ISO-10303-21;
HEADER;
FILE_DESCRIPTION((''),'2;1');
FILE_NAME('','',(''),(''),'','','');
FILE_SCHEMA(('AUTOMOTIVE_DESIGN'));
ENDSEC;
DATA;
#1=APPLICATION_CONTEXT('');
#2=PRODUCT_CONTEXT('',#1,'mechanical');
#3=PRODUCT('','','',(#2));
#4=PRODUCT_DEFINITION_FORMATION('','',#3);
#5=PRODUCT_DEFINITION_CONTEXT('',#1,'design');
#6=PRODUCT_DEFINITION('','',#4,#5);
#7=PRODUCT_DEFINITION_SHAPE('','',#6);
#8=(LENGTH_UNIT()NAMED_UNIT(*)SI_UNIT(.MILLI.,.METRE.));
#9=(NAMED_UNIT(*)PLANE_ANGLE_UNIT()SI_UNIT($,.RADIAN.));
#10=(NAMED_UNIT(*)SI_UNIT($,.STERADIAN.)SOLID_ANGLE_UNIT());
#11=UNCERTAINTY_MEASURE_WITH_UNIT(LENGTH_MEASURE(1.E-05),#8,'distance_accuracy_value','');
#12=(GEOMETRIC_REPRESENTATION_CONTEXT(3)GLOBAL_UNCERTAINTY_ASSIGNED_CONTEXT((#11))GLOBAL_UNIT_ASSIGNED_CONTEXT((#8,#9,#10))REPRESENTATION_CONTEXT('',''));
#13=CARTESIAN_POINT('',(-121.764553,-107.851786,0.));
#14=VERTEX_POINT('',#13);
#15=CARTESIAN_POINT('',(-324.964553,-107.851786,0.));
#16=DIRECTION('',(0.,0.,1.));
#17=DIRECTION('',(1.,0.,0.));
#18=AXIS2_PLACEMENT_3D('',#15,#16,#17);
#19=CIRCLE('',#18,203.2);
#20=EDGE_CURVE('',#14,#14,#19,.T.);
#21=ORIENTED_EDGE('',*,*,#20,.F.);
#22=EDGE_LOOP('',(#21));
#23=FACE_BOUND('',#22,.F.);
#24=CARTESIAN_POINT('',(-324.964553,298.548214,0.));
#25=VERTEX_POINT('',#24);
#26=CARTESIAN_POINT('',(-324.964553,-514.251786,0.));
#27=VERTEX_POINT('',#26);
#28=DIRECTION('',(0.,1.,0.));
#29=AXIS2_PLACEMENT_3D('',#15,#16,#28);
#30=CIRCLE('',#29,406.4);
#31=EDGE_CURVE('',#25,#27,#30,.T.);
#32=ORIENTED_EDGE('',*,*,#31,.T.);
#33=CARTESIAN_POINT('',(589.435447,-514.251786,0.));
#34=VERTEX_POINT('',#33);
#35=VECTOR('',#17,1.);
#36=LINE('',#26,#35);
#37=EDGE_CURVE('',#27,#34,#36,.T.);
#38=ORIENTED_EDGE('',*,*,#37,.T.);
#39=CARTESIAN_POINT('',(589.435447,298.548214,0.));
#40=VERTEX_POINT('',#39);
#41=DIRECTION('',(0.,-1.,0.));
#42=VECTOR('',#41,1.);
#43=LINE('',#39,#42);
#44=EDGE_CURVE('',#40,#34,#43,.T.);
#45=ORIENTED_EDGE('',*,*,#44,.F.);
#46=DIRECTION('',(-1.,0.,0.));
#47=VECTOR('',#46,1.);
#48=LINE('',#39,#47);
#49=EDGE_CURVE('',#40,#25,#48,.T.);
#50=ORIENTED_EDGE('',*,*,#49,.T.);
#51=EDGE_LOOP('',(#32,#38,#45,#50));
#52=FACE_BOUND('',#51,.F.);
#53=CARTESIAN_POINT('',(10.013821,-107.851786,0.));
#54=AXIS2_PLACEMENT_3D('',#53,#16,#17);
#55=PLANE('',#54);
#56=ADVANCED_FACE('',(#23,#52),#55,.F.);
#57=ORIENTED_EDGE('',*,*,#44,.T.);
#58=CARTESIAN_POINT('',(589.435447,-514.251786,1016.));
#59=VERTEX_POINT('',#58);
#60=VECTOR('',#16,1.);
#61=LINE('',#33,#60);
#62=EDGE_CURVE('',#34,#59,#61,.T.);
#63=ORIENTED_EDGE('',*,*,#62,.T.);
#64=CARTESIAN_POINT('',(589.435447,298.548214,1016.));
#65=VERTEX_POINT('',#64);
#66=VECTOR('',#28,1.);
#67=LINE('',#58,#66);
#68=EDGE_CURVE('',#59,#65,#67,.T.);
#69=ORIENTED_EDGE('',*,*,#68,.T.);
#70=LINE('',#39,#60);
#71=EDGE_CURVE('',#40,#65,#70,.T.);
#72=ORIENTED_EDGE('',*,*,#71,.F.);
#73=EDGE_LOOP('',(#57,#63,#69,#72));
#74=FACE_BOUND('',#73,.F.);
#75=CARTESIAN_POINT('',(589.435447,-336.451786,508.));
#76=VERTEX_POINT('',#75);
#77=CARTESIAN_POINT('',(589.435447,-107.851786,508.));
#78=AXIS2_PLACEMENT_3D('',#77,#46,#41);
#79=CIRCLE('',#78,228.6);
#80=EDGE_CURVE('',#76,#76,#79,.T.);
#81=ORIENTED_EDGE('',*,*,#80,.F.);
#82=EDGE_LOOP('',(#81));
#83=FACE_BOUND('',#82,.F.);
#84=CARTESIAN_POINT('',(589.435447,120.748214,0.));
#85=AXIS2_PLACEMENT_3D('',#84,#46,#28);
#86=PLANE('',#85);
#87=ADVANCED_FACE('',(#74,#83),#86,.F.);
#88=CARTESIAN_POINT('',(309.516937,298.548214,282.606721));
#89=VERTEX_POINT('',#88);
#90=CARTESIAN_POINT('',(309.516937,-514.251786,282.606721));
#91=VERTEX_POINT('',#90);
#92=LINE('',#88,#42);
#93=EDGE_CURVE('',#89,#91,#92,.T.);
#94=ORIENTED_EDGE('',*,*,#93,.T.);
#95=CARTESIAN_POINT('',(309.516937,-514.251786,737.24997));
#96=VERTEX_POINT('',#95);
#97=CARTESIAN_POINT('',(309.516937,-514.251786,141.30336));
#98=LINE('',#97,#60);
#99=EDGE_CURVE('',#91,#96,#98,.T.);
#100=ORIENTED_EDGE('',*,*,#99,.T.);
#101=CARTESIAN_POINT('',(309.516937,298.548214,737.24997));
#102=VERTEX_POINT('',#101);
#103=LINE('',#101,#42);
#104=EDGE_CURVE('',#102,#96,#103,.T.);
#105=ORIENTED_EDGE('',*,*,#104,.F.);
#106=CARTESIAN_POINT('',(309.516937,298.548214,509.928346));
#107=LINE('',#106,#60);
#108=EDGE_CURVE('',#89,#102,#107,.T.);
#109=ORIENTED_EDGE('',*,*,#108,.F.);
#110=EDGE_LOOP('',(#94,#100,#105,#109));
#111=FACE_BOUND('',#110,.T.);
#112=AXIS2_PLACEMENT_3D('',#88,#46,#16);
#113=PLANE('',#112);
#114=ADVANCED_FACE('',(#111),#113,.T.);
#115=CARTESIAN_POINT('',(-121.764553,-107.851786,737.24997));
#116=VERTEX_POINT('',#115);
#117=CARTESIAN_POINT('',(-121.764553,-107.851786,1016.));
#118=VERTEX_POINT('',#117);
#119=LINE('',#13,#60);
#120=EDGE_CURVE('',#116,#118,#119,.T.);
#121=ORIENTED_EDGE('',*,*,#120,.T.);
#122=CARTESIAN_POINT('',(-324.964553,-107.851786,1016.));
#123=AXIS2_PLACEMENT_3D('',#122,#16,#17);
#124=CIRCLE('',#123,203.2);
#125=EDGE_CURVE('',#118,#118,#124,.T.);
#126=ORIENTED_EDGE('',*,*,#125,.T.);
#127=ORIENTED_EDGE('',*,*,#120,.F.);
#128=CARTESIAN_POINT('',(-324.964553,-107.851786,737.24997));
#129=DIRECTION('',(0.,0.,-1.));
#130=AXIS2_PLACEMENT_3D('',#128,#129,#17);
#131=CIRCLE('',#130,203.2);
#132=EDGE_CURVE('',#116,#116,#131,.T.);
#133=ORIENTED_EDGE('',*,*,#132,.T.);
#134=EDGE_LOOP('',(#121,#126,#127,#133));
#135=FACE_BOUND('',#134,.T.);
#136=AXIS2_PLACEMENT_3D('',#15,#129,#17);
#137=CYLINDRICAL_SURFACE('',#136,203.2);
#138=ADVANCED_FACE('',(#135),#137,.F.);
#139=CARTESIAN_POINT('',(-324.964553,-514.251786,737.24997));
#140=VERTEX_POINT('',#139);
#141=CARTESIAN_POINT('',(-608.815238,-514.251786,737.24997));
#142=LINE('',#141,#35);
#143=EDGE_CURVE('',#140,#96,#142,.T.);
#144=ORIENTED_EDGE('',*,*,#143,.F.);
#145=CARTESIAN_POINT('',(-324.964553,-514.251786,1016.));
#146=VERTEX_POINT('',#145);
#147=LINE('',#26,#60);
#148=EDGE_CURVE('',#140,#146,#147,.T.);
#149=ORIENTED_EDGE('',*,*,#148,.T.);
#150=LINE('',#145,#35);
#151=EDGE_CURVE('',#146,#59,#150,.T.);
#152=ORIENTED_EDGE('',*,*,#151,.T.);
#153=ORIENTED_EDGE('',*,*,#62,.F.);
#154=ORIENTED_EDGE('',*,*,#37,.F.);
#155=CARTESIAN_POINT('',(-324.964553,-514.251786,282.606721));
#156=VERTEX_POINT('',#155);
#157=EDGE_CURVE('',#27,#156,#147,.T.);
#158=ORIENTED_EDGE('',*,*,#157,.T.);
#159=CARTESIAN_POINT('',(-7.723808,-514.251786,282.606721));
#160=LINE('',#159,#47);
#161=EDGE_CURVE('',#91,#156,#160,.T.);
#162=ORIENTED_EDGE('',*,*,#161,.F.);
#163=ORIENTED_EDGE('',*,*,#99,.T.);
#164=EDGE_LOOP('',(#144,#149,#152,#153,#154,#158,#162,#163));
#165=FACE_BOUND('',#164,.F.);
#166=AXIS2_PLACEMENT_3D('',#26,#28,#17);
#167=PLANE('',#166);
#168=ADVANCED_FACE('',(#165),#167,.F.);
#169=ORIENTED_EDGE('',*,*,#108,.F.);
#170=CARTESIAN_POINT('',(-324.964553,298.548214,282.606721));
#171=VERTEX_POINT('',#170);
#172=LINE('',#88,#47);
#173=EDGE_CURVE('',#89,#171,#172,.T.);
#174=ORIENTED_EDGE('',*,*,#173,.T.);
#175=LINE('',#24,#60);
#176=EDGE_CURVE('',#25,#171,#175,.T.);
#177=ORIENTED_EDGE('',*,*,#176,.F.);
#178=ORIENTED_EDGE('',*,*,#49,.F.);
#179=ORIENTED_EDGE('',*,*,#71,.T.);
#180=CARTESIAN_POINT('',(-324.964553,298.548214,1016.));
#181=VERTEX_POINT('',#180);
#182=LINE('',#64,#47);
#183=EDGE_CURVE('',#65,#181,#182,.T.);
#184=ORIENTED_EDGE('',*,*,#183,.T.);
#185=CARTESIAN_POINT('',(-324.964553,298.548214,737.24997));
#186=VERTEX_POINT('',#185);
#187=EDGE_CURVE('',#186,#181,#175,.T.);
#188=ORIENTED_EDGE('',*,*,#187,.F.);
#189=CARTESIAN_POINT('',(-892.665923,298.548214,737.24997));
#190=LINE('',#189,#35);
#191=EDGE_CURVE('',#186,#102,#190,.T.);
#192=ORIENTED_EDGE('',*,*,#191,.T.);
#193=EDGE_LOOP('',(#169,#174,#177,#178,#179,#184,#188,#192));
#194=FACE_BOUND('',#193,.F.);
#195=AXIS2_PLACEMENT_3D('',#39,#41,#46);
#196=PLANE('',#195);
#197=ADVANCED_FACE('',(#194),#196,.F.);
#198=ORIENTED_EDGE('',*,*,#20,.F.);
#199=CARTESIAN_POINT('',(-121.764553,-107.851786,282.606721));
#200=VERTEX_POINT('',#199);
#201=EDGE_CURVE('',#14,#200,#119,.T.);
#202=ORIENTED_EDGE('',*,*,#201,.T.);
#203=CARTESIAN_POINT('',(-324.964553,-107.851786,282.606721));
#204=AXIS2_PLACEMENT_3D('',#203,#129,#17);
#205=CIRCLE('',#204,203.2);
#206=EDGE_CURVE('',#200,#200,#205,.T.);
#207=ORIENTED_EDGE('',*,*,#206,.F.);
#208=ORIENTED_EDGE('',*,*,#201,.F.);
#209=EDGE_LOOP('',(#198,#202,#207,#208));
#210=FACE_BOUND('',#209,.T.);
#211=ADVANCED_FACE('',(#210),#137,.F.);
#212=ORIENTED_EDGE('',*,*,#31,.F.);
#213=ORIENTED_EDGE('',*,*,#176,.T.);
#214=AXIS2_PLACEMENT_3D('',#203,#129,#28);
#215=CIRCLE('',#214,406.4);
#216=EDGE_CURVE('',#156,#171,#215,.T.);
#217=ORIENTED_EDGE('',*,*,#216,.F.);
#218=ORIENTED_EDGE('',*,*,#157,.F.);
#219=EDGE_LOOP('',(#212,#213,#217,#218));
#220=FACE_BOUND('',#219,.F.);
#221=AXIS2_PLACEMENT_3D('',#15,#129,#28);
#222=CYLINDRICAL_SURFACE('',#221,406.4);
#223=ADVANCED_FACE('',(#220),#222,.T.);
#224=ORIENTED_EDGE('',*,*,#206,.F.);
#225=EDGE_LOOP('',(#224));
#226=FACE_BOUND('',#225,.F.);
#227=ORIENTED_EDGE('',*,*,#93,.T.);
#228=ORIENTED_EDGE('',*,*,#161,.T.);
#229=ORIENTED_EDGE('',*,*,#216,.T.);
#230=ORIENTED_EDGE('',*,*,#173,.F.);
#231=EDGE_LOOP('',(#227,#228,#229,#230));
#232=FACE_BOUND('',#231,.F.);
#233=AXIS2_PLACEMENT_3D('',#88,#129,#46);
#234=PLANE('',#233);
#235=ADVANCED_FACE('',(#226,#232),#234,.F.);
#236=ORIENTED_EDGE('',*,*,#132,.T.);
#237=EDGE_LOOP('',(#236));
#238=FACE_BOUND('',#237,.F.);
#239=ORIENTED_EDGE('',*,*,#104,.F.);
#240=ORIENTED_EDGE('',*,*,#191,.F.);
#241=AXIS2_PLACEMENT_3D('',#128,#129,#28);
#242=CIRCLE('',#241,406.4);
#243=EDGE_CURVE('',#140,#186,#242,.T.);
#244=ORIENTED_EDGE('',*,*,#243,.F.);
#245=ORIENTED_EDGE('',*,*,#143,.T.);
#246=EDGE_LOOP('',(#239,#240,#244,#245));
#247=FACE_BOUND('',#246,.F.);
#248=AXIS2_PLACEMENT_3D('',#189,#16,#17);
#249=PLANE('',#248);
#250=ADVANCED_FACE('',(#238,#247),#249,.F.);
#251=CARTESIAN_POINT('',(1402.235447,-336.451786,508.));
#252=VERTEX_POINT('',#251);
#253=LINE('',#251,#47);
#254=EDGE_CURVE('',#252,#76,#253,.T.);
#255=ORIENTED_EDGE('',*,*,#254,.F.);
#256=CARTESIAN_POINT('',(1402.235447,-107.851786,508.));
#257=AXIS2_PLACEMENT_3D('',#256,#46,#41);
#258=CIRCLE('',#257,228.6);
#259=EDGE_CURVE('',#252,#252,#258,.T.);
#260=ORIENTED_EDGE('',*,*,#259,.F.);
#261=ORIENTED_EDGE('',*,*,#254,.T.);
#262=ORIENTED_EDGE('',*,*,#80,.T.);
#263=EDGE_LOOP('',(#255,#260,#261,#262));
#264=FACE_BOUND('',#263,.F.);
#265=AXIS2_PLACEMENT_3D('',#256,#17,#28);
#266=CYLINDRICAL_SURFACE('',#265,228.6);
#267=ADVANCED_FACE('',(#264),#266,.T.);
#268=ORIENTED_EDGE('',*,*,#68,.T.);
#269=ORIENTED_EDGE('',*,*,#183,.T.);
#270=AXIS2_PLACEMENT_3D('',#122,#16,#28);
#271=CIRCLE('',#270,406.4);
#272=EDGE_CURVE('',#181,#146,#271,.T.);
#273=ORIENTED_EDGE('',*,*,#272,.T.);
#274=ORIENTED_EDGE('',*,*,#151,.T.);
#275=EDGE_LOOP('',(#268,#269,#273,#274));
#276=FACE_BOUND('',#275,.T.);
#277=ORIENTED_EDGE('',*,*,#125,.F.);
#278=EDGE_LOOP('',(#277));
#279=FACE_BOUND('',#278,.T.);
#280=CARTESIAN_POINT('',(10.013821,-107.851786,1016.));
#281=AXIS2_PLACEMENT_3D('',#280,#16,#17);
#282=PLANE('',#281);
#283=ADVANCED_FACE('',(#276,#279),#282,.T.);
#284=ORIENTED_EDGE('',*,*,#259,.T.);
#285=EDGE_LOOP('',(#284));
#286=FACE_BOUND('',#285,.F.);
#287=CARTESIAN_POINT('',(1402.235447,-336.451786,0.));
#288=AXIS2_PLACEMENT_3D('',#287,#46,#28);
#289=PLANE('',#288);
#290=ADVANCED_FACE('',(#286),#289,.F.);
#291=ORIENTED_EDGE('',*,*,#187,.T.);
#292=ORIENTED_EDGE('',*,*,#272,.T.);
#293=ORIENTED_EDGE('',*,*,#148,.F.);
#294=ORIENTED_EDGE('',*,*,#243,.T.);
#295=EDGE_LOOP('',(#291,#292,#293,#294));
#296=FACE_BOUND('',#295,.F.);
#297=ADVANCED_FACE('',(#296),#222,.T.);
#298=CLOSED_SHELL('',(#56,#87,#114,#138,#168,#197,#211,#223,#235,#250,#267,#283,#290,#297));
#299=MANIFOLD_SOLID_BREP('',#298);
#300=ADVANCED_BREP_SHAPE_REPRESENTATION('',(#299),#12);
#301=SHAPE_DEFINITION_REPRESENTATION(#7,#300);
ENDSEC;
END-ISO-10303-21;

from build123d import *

# Parameters (mm, degrees)
F0_R     = 203.2
F0_W     = 812.8
F0_H     = 457.2
F1_DEPTH = 1016
F2_W     = 634.4814898748
F2_H     = 454.6432495117
F3_DEPTH = 812.801
F4_W     = 457.2
F4_H     = 279.4
F5_DEPTH = 812.8
F7_DEPTH = 812.8


with BuildPart() as f1:
    # F0 (on Top) → F1 (new body)
    with BuildSketch(Plane.XY):
        with BuildLine():
            Line((589.4354466658, 298.5482140541), (-324.9645533342, 298.5482140541))
            ThreePointArc((-324.9645533342, 298.5482140541), (-731.3645533342, -107.8517859459), (-324.9645533342, -514.2517859459))
            Line((-324.9645533342, -514.2517859459), (589.4354466658, -514.2517859459))
            Line((589.4354466658, -514.2517859459), (589.4354466658, -336.4517859459))
            Line((589.4354466658, -336.4517859459), (589.4354466658, 120.7482140541))
            Line((589.4354466658, 120.7482140541), (589.4354466658, 298.5482140541))
        make_face()
        with Locations((-324.9645533342, -107.8517859459)):
            Circle(F0_R, mode=Mode.SUBTRACT)
        with Locations((995.8354466658, -107.8517859459)):
            Rectangle(F0_W, F0_H)
    extrude(amount=F1_DEPTH)

    # F2 (on face) → F3 (cut, through all)
    with BuildSketch(Plane(origin=(0, 298.5482140541, 0), x_dir=(-1, 0, 0), z_dir=(0, 1, 0))):
        with Locations((7.7238083968, 509.9283456802)):
            Rectangle(F2_W, F2_H)
        Polygon((324.9645533342, 737.2499704361), (324.9645533342, 282.6067209244), (821.0112452507, 282.6067209244), (892.6659226418, 737.2499704361), align=None)
    extrude(amount=-F3_DEPTH, mode=Mode.SUBTRACT)

    # F4 (on face) → F5 (cut)
    with BuildSketch(Plane.YZ.offset(1402.2354466658)):
        with Locations((-107.8517859459, 876.3)):
            Rectangle(F4_W, F4_H)
        with Locations((-107.8517859459, 139.7)):
            Rectangle(F4_W, F4_H)
    extrude(amount=-F5_DEPTH, mode=Mode.SUBTRACT)

    # F6 (on face) → F7 (cut)
    with BuildSketch(Plane.YZ.offset(1402.2354466658)):
        with BuildLine():
            Line((120.7482140541, 736.6), (-107.8517859459, 736.6))
            ThreePointArc((-107.8517859459, 736.6), (53.7928242334, 669.6446101792), (120.7482140541, 508))
            Line((120.7482140541, 508), (120.7482140541, 736.6))
        make_face()
        with BuildLine():
            ThreePointArc((120.7482140541, 508), (53.7928242333, 346.3553898207), (-107.8517859459, 279.4))
            Line((-107.8517859459, 279.4), (120.7482140541, 279.4))
            Line((120.7482140541, 279.4), (120.7482140541, 508))
        make_face()
        with BuildLine():
            Line((-336.4517859459, 508), (-336.4517859459, 279.4))
            Line((-336.4517859459, 279.4), (-107.8517859459, 279.4))
            ThreePointArc((-107.8517859459, 279.4), (-269.4963961252, 346.3553898208), (-336.4517859459, 508))
        make_face()
        with BuildLine():
            Line((-336.4517859459, 736.6), (-336.4517859459, 508))
            ThreePointArc((-336.4517859459, 508), (-269.4963961251, 669.6446101792), (-107.8517859459, 736.6))
            Line((-107.8517859459, 736.6), (-336.4517859459, 736.6))
        make_face()
    extrude(amount=-F7_DEPTH, mode=Mode.SUBTRACT)


solid = f1.part
